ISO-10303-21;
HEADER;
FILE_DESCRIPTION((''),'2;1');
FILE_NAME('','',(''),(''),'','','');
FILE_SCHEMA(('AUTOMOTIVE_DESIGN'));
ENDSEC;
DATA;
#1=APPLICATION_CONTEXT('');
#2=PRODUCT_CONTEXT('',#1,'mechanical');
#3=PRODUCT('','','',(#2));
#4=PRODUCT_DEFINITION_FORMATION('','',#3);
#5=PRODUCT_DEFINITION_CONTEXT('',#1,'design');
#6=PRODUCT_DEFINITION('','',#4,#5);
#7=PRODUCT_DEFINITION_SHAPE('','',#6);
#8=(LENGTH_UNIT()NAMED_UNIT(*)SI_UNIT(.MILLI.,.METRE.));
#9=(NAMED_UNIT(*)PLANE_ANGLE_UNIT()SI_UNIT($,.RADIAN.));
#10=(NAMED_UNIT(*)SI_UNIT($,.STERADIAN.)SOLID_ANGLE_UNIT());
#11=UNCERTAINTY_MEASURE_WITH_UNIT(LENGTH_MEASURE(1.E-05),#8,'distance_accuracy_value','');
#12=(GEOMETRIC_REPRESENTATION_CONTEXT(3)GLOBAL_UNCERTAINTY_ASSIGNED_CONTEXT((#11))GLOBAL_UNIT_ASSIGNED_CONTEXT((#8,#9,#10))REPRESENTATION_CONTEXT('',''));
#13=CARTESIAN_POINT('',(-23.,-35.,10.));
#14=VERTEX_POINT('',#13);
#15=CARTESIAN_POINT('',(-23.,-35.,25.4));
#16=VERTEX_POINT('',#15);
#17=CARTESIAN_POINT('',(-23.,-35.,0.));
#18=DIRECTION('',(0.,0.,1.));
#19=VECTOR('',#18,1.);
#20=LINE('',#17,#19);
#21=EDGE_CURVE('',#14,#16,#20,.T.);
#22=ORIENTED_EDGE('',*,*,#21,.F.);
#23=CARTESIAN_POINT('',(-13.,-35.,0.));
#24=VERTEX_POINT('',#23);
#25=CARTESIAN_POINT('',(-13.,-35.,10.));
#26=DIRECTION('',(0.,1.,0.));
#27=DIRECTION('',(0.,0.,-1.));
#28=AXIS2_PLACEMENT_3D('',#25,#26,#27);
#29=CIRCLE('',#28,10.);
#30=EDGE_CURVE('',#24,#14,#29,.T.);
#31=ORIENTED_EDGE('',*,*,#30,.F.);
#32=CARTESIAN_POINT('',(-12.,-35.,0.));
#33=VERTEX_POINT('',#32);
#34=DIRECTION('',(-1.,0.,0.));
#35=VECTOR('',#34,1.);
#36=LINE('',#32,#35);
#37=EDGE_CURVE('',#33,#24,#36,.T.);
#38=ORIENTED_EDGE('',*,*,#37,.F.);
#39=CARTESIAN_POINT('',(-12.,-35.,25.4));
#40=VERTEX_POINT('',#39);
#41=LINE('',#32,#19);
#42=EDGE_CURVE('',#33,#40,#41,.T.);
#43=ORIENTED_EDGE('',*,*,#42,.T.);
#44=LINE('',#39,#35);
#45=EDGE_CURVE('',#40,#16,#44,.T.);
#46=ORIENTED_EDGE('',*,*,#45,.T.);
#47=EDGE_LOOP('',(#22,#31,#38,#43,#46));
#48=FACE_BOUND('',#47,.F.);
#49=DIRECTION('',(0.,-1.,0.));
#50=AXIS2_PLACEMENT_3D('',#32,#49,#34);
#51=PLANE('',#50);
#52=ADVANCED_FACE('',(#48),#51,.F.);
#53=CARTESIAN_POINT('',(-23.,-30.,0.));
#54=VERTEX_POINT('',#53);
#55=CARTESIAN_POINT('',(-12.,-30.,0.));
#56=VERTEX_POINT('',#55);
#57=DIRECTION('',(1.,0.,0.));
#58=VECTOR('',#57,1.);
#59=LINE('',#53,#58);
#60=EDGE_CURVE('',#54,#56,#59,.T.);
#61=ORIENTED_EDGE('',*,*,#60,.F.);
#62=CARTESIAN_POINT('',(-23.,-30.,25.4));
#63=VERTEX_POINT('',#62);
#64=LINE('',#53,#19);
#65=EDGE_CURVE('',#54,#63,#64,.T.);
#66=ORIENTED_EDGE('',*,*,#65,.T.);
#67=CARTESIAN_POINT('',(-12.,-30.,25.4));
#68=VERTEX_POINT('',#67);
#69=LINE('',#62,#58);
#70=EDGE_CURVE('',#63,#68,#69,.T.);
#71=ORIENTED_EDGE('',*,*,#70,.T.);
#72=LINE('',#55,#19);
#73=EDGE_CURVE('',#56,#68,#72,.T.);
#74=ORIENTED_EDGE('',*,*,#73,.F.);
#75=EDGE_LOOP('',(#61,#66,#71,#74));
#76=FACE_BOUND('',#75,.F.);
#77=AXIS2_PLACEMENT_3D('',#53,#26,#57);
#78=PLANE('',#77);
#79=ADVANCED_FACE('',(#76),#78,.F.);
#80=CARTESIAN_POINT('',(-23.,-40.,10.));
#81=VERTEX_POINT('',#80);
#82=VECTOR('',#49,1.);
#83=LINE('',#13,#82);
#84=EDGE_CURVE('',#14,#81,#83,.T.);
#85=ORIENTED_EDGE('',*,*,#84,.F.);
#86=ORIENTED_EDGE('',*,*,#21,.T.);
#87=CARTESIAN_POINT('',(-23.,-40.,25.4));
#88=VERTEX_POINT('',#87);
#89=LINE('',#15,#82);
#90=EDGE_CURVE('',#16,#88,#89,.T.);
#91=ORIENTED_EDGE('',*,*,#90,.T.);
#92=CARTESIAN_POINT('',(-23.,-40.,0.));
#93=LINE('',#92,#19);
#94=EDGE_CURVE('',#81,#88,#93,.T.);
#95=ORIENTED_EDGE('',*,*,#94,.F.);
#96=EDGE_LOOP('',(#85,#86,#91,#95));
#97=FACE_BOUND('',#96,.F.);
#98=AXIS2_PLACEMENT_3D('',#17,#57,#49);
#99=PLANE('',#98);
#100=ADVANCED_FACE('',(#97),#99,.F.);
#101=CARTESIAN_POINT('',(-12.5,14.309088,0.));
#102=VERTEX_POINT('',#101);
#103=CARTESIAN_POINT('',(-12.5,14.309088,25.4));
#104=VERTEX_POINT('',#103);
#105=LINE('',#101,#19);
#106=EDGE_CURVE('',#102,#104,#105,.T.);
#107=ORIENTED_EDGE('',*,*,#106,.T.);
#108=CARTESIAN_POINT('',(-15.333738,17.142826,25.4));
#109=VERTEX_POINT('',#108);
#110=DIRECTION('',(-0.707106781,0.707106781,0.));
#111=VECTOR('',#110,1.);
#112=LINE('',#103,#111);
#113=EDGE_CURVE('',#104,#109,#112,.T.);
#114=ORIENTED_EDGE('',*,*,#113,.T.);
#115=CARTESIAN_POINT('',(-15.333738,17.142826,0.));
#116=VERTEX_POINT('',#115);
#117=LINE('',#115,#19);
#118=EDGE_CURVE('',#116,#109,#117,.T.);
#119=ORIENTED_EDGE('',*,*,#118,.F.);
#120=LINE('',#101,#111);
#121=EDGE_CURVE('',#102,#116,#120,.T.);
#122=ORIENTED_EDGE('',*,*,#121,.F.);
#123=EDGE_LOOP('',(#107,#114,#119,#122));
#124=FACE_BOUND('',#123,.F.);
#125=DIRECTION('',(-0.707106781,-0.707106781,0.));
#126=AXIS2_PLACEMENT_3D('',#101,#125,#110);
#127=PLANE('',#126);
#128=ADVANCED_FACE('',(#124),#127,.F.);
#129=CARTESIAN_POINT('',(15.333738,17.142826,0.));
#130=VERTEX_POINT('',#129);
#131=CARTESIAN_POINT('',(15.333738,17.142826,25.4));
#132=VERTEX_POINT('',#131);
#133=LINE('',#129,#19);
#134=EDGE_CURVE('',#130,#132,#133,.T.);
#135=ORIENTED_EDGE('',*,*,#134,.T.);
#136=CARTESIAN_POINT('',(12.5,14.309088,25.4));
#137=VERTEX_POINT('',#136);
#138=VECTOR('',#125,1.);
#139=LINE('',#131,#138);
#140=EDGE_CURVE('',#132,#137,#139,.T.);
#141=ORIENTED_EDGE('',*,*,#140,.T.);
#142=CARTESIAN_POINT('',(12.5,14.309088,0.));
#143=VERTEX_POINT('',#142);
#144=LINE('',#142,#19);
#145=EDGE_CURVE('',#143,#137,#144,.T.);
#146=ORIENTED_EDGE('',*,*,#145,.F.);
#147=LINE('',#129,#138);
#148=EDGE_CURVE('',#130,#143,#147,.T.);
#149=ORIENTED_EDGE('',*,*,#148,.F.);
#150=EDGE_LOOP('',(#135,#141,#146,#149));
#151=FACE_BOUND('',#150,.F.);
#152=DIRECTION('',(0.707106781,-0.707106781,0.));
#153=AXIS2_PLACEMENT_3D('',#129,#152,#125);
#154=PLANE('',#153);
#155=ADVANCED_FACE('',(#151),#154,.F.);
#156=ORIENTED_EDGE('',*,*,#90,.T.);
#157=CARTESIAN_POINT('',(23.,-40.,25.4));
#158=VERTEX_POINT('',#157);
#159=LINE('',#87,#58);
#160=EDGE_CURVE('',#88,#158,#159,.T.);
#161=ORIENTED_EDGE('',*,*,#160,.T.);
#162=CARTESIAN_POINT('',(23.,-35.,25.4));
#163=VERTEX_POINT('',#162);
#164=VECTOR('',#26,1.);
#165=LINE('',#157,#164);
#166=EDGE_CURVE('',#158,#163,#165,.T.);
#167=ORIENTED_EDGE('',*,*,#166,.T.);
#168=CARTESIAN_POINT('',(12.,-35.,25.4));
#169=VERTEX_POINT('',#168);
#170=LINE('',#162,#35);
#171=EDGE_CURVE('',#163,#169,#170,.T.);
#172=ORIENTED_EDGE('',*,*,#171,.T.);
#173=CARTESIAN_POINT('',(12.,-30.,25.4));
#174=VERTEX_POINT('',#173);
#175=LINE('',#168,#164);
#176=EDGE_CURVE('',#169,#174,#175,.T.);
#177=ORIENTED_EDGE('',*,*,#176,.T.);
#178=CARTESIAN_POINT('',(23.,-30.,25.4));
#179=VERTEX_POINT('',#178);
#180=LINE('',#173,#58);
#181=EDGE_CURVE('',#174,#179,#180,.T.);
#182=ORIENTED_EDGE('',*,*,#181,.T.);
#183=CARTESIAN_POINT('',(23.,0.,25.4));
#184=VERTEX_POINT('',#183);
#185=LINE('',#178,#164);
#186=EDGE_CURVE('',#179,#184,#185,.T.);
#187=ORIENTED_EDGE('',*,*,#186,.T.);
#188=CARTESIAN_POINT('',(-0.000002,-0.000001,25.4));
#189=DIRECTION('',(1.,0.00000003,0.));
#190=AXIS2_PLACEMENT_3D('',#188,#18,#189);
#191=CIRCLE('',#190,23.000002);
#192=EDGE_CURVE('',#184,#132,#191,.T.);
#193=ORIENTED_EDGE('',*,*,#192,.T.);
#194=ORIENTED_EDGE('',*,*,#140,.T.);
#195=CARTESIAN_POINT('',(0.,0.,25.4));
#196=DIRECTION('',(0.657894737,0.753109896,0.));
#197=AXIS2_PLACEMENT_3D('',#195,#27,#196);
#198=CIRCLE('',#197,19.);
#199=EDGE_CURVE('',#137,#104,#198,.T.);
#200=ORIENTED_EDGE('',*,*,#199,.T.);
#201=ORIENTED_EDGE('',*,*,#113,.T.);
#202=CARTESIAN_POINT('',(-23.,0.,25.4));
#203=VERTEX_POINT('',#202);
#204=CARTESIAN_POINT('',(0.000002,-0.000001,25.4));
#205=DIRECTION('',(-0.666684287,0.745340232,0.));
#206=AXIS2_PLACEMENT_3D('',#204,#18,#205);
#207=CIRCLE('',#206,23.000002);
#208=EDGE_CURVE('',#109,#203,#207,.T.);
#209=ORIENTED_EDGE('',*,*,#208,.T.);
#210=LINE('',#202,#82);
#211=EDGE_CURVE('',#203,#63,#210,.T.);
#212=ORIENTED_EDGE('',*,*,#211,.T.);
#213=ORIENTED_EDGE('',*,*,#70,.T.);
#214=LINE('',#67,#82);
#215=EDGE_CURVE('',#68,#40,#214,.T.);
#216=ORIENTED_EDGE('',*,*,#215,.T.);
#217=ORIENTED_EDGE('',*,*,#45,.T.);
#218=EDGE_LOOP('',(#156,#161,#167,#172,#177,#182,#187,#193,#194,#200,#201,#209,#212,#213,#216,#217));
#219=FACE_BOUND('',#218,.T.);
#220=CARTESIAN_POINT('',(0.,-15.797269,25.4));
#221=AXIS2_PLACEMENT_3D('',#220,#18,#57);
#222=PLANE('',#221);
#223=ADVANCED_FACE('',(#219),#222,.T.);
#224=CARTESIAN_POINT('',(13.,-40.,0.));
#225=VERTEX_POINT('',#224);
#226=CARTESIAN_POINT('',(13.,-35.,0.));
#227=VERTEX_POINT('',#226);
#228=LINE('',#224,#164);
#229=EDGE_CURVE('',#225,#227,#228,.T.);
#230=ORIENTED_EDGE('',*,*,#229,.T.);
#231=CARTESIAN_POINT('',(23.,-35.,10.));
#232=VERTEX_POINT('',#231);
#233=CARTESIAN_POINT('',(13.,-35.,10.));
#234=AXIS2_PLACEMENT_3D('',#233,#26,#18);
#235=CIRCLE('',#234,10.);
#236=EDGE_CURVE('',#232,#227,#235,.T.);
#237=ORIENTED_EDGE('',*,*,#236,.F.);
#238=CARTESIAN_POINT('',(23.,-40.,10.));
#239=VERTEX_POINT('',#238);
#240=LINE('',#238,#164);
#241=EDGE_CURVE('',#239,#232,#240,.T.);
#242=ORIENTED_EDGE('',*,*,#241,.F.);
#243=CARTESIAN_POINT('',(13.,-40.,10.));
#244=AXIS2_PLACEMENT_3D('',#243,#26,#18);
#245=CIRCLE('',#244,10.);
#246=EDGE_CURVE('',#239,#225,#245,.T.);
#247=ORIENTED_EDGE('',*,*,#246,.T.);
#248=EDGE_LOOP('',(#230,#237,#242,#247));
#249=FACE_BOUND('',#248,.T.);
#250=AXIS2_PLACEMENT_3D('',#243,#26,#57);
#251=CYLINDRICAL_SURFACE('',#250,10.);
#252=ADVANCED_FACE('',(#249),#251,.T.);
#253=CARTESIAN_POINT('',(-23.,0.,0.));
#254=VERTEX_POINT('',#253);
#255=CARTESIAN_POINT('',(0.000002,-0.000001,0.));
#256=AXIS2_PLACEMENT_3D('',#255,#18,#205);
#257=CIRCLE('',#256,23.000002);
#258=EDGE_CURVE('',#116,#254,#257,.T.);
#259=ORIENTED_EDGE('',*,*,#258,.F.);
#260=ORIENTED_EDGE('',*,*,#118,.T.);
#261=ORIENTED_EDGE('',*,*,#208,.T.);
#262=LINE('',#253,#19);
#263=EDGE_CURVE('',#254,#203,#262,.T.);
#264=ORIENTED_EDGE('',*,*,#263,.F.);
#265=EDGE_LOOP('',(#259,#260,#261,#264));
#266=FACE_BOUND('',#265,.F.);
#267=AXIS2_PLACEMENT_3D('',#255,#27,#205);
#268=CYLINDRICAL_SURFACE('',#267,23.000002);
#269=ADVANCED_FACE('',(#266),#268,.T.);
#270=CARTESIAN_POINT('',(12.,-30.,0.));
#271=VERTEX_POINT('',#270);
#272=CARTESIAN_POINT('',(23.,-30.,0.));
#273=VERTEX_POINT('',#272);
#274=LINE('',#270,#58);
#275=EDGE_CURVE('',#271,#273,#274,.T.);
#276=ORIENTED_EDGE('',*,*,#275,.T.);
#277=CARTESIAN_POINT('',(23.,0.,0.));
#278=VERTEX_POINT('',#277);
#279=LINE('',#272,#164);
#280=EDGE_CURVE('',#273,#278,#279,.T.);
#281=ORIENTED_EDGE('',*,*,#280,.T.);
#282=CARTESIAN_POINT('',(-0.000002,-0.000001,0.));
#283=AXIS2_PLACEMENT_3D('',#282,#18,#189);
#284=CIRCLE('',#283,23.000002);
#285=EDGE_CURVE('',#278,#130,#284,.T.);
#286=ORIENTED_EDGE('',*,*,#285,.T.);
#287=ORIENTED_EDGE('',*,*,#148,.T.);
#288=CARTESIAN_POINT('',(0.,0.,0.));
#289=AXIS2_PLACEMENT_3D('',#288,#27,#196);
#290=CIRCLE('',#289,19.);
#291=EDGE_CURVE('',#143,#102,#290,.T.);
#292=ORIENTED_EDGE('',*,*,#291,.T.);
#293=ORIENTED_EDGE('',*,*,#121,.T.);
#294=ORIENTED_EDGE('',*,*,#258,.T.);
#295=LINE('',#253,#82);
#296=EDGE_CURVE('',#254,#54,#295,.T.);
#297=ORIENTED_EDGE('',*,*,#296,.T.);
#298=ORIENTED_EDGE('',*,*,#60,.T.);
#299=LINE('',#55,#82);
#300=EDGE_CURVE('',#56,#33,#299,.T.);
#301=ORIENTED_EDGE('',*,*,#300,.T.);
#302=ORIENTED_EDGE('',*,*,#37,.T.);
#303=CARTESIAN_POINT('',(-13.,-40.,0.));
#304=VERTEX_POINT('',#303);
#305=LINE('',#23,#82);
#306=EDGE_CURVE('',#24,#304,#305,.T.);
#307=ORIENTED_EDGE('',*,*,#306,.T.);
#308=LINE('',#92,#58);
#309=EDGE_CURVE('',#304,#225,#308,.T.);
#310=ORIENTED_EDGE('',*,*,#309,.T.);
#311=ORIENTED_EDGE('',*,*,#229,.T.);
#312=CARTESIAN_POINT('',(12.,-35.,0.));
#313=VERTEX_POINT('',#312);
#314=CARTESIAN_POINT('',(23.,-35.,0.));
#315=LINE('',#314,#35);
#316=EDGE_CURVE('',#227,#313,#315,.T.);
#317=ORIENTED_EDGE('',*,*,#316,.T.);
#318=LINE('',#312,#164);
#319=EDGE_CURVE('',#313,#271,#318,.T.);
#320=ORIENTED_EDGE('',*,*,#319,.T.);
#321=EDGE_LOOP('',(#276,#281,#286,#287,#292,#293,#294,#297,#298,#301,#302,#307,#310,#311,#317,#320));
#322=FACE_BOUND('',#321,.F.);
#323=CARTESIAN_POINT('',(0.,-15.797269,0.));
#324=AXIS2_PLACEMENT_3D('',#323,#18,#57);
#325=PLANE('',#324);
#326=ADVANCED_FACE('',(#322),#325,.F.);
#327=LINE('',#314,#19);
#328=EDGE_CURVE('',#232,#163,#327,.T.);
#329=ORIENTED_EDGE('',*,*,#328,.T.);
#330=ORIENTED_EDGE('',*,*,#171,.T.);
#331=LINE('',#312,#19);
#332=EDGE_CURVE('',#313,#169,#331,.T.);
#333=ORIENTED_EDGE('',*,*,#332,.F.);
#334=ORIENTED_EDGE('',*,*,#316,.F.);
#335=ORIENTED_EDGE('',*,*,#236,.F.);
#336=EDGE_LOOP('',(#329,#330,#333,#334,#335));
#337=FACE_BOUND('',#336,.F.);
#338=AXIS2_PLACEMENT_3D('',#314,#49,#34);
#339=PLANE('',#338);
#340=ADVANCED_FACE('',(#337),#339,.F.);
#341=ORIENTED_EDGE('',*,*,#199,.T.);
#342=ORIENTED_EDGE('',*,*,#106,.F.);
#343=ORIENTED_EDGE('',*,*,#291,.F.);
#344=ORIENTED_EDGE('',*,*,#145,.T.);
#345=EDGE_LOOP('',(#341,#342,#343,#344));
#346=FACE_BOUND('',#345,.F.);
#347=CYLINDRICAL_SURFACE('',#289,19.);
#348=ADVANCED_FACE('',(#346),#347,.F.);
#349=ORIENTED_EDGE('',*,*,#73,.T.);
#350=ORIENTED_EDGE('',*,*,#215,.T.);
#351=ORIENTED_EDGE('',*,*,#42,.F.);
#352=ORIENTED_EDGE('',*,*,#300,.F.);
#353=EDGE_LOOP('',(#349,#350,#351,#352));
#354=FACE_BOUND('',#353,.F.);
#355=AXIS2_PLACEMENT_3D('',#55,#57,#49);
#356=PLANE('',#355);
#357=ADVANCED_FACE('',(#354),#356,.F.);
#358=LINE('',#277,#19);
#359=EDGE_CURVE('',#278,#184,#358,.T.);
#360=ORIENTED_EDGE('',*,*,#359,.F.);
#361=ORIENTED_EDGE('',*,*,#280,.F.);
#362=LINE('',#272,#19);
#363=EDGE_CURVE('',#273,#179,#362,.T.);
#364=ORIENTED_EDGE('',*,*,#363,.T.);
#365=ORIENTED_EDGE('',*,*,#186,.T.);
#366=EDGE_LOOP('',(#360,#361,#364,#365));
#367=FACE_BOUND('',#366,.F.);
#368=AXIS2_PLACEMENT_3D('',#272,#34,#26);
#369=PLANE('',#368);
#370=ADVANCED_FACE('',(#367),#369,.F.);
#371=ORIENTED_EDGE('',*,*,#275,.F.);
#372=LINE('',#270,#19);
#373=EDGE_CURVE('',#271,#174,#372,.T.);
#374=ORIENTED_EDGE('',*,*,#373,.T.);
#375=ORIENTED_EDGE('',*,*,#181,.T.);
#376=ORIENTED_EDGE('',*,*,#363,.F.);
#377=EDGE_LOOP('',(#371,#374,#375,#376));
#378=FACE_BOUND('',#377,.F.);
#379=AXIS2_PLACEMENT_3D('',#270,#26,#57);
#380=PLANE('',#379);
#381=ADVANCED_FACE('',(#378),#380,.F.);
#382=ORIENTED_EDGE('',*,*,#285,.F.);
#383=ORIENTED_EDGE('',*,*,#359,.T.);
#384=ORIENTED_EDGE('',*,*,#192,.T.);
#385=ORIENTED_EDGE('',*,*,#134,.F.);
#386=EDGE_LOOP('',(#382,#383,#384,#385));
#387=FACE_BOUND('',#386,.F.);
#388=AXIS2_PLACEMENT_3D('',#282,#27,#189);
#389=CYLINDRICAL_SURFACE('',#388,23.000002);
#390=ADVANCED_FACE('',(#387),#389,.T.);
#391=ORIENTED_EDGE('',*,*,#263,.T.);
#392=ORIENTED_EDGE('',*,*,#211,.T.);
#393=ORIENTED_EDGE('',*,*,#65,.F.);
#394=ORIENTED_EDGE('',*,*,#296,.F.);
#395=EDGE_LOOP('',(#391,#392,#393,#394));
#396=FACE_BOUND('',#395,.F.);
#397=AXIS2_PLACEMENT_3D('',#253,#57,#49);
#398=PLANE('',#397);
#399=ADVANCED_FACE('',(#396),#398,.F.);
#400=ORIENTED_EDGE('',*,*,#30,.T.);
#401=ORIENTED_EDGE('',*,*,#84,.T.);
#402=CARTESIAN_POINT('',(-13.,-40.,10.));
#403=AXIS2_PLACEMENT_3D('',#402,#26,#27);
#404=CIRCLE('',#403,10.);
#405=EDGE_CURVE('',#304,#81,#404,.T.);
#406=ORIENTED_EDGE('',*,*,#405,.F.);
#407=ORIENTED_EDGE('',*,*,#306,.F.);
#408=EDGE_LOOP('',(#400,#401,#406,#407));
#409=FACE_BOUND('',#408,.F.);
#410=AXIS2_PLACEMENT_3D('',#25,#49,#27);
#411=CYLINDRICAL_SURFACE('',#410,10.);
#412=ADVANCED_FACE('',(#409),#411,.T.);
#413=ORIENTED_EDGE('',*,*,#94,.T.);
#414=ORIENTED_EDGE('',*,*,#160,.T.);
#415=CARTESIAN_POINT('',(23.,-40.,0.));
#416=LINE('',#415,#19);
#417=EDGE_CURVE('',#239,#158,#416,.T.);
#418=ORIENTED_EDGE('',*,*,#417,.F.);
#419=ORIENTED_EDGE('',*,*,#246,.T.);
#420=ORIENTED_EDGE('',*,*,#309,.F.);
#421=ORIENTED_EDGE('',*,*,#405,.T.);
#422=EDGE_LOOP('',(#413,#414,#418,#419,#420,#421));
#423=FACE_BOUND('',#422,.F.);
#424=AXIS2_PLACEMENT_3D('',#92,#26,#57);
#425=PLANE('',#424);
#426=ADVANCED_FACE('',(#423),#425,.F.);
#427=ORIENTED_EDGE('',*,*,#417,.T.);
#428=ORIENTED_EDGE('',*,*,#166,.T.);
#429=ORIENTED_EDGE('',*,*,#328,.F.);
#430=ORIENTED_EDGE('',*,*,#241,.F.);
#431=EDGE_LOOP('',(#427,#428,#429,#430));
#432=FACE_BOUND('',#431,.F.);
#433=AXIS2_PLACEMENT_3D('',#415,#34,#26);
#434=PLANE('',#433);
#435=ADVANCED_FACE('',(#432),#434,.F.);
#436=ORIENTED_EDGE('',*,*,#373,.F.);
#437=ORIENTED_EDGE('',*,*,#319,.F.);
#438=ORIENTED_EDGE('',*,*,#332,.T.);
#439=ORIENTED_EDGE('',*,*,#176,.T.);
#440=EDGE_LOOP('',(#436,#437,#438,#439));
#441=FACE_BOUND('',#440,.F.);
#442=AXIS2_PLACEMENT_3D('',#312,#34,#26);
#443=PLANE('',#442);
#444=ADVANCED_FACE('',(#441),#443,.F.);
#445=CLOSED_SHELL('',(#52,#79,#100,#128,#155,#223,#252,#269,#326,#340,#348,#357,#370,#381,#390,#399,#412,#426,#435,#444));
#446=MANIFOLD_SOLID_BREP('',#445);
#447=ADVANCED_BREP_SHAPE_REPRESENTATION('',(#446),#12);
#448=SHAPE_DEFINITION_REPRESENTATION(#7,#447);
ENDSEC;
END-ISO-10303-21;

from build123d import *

# Parameters (mm, degrees)
F1_DEPTH = 25.4
F2_R     = 10
F3_R     = 10


with BuildPart() as f1:
    # F0 (on Top) → F1 (new body)
    with BuildSketch(Plane.XY):
        with BuildLine():
            ThreePointArc((12.5, 14.309088), (0, -19), (-12.5, 14.309088))
            Line((-12.5, 14.309088), (-15.333738, 17.142826))
            ThreePointArc((-15.333738, 17.142826), (-20.996142, 9.389463), (-23, 0))
            Line((-23, 0), (-23, -30))
            Line((-23, -30), (-12, -30))
            Line((-12, -30), (-12, -35))
            Line((-12, -35), (-23, -35))
            Line((-23, -35), (-23, -40))
            Line((-23, -40), (23, -40))
            Line((23, -40), (23, -35))
            Line((23, -35), (12, -35))
            Line((12, -35), (12, -30))
            Line((12, -30), (23, -30))
            Line((23, -30), (23, 0))
            ThreePointArc((23, 0), (20.996142, 9.389463), (15.333738, 17.142826))
            Line((15.333738, 17.142826), (12.5, 14.309088))
        make_face()
    extrude(amount=F1_DEPTH)

    # F2
    f2_edges = [f1.edges().sort_by_distance(p)[0] for p in [
        (23, -37.5, 0),
    ]]
    fillet(f2_edges, radius=F2_R)

    # F3
    f3_edges = [f1.edges().sort_by_distance(p)[0] for p in [
        (-23, -37.5, 0),
    ]]
    fillet(f3_edges, radius=F3_R)


solid = f1.part
